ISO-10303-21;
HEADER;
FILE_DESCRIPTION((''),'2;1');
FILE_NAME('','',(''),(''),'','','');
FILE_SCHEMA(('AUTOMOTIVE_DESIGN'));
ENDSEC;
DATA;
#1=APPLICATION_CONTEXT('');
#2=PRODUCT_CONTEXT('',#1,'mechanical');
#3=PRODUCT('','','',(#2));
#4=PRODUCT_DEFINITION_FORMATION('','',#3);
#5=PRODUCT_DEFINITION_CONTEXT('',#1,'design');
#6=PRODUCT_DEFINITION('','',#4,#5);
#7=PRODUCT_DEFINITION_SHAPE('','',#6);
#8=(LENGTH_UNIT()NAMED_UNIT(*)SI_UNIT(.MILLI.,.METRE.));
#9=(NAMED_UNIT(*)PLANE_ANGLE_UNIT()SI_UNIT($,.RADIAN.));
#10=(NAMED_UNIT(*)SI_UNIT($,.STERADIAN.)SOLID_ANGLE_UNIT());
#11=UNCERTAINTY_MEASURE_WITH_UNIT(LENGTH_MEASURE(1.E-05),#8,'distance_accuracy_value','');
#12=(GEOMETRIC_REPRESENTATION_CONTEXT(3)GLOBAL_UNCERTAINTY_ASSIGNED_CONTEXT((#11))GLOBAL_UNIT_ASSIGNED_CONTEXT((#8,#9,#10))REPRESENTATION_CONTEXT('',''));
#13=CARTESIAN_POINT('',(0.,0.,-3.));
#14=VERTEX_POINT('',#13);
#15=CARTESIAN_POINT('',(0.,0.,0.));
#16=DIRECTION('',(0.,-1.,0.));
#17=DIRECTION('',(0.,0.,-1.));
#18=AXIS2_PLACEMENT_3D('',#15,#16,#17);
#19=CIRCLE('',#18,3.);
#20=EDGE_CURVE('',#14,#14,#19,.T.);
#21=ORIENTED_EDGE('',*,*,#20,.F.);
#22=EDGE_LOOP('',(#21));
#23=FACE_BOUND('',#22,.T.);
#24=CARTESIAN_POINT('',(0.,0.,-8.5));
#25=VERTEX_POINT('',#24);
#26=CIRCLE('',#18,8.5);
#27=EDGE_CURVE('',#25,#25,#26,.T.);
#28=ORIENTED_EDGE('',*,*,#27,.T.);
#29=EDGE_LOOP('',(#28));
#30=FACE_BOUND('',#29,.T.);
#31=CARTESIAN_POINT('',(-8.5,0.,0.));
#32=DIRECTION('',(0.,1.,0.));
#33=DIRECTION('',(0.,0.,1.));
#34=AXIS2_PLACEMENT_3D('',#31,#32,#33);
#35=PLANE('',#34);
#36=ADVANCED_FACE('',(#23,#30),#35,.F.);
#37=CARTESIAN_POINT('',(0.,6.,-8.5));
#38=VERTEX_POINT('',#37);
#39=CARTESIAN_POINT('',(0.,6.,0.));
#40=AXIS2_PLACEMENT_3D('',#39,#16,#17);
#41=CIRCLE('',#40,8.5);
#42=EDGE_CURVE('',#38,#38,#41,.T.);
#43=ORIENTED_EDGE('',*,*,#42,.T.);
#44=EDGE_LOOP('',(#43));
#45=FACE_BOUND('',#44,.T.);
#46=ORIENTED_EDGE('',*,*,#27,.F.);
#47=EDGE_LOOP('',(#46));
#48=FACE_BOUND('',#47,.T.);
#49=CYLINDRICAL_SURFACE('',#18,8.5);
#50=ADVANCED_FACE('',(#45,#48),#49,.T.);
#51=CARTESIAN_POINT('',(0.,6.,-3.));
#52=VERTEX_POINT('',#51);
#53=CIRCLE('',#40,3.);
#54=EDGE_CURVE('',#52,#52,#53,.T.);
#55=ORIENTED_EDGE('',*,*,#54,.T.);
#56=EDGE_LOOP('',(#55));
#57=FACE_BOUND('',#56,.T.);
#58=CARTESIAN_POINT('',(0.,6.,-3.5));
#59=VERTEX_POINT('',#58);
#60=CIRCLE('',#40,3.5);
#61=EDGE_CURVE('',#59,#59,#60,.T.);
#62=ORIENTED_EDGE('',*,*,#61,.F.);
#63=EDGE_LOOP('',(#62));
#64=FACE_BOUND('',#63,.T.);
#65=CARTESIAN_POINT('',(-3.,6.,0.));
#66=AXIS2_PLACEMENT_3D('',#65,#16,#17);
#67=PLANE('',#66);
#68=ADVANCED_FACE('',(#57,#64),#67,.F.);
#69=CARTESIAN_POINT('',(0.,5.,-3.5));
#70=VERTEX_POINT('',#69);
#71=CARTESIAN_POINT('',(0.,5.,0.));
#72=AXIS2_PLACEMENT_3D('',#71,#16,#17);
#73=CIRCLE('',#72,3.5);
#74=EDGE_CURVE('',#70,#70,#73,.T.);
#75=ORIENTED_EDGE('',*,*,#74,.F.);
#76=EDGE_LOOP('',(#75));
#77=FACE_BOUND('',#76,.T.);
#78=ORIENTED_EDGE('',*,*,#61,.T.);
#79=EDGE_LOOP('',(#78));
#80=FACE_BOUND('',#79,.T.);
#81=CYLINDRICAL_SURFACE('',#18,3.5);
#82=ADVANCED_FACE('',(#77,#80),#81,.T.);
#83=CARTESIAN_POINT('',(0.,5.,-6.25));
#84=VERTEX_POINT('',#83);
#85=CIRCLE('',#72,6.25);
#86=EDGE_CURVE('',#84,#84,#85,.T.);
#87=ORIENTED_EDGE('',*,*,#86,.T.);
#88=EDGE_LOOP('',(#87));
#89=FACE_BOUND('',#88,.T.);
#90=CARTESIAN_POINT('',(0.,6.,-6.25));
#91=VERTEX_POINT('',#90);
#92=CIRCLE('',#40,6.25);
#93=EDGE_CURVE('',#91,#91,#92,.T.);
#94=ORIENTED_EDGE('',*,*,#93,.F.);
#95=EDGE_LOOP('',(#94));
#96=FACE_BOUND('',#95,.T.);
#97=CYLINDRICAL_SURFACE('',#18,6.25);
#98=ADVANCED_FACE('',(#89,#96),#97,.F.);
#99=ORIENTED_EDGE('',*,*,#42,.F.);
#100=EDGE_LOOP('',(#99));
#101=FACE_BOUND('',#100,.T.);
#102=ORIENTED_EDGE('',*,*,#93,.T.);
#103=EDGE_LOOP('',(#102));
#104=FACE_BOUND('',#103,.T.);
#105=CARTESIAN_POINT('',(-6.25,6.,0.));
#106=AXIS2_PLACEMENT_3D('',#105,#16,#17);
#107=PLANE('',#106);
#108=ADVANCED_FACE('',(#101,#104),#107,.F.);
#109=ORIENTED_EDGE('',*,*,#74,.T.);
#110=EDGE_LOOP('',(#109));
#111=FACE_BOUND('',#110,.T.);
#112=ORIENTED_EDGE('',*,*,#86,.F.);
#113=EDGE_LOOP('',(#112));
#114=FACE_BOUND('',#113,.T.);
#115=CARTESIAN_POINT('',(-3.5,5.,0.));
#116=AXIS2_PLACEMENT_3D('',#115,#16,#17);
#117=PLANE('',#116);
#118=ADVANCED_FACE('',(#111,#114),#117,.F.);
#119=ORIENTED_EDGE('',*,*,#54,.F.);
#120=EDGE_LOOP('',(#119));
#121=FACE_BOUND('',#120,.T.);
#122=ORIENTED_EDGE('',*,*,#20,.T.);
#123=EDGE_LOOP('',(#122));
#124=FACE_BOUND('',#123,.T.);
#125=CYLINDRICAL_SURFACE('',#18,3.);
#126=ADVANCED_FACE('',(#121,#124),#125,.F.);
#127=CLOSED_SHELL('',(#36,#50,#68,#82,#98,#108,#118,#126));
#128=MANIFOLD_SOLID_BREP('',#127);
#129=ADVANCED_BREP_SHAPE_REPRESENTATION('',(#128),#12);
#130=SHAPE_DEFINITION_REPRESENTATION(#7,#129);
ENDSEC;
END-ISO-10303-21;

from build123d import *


with BuildPart() as part:
    # Sketch1 → Revolve1 (revolve)
    with BuildSketch(Plane.XY, mode=Mode.PRIVATE) as revolve1_sk:
        Polygon((-3, 0), (-3, 6), (-3.5, 6), (-3.5, 5), (-6.25, 5), (-6.25, 6), (-8.5, 6), (-8.5, 0), align=None)
    revolve(revolve1_sk.sketch.rotate(Axis((0, 0, 0), (0, 1, 0)), 270), axis=Axis((0, 0, 0), (0, 1, 0)))


solid = part.part
